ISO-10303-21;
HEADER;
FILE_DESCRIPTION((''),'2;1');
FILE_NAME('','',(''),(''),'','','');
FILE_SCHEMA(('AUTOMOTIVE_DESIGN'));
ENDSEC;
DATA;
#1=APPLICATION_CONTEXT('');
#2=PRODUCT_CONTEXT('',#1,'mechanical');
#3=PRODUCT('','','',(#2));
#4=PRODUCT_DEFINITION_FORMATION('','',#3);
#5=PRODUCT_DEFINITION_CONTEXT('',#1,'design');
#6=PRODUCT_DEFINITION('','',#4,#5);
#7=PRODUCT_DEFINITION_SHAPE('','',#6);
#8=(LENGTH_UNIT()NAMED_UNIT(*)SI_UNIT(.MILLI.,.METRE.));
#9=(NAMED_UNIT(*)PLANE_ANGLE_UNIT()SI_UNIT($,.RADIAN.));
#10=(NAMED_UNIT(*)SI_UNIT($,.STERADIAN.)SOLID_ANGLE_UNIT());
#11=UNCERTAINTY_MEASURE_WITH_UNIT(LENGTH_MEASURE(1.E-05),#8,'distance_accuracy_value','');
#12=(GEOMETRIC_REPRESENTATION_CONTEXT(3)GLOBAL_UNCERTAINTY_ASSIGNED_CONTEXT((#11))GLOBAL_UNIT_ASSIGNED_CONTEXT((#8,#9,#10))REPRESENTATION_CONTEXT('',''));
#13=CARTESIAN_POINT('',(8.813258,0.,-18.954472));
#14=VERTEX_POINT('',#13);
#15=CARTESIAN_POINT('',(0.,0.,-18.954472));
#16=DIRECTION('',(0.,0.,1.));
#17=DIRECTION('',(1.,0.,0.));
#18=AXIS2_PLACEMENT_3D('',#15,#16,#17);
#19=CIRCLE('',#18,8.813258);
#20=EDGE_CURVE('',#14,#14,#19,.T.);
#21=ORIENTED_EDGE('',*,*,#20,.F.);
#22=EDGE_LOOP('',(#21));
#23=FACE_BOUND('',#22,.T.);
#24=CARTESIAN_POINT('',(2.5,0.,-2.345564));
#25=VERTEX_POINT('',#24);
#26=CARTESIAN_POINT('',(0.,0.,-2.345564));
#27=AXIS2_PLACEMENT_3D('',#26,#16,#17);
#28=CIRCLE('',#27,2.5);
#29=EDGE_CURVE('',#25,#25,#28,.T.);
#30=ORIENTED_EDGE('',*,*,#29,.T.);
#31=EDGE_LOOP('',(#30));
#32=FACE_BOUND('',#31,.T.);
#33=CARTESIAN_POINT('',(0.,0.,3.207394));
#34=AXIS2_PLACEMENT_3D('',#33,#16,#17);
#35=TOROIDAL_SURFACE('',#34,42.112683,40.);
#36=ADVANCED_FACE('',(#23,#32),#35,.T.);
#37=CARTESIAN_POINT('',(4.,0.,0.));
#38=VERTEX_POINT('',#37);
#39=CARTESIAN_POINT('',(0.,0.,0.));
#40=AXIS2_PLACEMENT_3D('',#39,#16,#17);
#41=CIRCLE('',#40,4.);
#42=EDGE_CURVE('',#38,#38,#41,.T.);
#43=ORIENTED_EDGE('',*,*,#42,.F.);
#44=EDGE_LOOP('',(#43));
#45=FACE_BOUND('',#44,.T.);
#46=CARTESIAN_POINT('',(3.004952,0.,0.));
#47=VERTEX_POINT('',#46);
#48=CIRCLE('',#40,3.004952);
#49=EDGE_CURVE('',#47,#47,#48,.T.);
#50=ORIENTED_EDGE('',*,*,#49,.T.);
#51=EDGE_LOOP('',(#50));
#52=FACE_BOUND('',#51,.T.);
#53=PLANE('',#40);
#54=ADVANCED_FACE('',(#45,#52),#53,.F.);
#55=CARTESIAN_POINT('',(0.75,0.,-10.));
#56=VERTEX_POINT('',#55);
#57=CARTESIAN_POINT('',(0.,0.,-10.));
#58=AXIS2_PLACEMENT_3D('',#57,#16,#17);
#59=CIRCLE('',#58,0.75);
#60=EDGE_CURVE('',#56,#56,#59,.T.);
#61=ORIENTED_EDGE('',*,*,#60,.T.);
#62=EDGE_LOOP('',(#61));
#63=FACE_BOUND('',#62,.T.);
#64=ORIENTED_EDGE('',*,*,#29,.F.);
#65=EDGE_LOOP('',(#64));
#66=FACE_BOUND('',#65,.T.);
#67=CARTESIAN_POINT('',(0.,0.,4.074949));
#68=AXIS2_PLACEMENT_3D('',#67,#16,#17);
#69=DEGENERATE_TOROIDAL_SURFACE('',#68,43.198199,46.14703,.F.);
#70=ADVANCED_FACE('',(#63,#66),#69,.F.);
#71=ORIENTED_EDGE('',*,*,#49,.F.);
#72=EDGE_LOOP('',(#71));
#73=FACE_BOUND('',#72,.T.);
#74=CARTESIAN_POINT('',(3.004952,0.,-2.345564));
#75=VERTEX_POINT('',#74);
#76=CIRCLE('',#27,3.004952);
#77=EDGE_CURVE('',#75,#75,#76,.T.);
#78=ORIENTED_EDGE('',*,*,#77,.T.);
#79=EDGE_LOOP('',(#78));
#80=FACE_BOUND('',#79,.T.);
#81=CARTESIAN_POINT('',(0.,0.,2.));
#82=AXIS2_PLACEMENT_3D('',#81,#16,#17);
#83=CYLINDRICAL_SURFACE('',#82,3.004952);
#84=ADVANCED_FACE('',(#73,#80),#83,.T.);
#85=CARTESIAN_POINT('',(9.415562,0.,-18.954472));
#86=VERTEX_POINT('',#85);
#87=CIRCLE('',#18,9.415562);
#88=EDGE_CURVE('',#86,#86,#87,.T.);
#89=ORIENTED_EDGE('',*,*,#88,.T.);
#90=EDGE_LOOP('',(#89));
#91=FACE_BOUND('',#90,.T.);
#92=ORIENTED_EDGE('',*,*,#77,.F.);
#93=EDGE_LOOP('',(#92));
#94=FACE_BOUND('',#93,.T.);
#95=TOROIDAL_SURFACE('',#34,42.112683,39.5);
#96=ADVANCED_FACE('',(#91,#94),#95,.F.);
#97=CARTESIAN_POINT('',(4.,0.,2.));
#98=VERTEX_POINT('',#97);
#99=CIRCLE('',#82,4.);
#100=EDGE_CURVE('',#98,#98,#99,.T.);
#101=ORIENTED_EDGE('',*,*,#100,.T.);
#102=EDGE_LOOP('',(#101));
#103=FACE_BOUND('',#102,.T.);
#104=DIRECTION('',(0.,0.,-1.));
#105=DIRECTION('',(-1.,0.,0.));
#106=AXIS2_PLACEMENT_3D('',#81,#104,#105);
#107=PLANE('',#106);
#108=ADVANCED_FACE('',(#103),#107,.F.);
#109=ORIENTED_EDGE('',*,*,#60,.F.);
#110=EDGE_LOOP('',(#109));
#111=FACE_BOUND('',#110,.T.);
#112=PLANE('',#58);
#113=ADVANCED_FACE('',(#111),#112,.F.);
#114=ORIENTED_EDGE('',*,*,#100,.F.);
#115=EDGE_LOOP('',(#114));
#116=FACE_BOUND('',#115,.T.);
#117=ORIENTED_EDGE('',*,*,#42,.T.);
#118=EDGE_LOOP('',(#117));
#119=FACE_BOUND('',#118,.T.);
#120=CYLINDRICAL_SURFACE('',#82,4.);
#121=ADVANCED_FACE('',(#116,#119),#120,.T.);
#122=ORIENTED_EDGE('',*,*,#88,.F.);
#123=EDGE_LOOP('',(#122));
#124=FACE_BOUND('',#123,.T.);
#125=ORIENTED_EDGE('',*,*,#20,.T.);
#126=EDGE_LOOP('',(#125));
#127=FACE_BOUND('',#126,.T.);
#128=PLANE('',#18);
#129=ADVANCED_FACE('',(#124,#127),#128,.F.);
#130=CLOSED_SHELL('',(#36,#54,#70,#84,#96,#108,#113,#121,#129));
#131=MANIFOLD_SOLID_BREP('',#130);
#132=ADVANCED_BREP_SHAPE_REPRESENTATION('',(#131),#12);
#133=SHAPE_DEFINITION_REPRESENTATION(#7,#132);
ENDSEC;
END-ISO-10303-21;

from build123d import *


with BuildPart() as part:
    # Sketch1 → Revolve2 (revolve)
    with BuildSketch(Plane(origin=(0, 0, 0), x_dir=(1, 0, 0), z_dir=(0, 1, 0))):
        with BuildLine():
            ThreePointArc((9.415562128, 18.954471585), (5.262334896, 11.015891219), (3.004951609, 2.345563927))
            Line((3.004951609, 2.345563927), (3.004951609, 0))
            Line((3.004951609, 0), (4, 0))
            Line((4, 0), (4, -2))
            Line((4, -2), (0, -2))
            Line((0, -2), (0, 0))
            Line((0, 0), (0, 10))
            Line((0, 10), (0.75, 10))
            ThreePointArc((0.75, 10), (1.788096318, 6.210069956), (2.5, 2.345563927))
            ThreePointArc((2.5, 2.345563927), (4.722740089, 11.005000833), (8.813257881, 18.954471585))
            Line((8.813257881, 18.954471585), (9.415562128, 18.954471585))
        make_face()
    revolve(axis=Axis((0, 0, 2), (0, 0, -1)))


solid = part.part
